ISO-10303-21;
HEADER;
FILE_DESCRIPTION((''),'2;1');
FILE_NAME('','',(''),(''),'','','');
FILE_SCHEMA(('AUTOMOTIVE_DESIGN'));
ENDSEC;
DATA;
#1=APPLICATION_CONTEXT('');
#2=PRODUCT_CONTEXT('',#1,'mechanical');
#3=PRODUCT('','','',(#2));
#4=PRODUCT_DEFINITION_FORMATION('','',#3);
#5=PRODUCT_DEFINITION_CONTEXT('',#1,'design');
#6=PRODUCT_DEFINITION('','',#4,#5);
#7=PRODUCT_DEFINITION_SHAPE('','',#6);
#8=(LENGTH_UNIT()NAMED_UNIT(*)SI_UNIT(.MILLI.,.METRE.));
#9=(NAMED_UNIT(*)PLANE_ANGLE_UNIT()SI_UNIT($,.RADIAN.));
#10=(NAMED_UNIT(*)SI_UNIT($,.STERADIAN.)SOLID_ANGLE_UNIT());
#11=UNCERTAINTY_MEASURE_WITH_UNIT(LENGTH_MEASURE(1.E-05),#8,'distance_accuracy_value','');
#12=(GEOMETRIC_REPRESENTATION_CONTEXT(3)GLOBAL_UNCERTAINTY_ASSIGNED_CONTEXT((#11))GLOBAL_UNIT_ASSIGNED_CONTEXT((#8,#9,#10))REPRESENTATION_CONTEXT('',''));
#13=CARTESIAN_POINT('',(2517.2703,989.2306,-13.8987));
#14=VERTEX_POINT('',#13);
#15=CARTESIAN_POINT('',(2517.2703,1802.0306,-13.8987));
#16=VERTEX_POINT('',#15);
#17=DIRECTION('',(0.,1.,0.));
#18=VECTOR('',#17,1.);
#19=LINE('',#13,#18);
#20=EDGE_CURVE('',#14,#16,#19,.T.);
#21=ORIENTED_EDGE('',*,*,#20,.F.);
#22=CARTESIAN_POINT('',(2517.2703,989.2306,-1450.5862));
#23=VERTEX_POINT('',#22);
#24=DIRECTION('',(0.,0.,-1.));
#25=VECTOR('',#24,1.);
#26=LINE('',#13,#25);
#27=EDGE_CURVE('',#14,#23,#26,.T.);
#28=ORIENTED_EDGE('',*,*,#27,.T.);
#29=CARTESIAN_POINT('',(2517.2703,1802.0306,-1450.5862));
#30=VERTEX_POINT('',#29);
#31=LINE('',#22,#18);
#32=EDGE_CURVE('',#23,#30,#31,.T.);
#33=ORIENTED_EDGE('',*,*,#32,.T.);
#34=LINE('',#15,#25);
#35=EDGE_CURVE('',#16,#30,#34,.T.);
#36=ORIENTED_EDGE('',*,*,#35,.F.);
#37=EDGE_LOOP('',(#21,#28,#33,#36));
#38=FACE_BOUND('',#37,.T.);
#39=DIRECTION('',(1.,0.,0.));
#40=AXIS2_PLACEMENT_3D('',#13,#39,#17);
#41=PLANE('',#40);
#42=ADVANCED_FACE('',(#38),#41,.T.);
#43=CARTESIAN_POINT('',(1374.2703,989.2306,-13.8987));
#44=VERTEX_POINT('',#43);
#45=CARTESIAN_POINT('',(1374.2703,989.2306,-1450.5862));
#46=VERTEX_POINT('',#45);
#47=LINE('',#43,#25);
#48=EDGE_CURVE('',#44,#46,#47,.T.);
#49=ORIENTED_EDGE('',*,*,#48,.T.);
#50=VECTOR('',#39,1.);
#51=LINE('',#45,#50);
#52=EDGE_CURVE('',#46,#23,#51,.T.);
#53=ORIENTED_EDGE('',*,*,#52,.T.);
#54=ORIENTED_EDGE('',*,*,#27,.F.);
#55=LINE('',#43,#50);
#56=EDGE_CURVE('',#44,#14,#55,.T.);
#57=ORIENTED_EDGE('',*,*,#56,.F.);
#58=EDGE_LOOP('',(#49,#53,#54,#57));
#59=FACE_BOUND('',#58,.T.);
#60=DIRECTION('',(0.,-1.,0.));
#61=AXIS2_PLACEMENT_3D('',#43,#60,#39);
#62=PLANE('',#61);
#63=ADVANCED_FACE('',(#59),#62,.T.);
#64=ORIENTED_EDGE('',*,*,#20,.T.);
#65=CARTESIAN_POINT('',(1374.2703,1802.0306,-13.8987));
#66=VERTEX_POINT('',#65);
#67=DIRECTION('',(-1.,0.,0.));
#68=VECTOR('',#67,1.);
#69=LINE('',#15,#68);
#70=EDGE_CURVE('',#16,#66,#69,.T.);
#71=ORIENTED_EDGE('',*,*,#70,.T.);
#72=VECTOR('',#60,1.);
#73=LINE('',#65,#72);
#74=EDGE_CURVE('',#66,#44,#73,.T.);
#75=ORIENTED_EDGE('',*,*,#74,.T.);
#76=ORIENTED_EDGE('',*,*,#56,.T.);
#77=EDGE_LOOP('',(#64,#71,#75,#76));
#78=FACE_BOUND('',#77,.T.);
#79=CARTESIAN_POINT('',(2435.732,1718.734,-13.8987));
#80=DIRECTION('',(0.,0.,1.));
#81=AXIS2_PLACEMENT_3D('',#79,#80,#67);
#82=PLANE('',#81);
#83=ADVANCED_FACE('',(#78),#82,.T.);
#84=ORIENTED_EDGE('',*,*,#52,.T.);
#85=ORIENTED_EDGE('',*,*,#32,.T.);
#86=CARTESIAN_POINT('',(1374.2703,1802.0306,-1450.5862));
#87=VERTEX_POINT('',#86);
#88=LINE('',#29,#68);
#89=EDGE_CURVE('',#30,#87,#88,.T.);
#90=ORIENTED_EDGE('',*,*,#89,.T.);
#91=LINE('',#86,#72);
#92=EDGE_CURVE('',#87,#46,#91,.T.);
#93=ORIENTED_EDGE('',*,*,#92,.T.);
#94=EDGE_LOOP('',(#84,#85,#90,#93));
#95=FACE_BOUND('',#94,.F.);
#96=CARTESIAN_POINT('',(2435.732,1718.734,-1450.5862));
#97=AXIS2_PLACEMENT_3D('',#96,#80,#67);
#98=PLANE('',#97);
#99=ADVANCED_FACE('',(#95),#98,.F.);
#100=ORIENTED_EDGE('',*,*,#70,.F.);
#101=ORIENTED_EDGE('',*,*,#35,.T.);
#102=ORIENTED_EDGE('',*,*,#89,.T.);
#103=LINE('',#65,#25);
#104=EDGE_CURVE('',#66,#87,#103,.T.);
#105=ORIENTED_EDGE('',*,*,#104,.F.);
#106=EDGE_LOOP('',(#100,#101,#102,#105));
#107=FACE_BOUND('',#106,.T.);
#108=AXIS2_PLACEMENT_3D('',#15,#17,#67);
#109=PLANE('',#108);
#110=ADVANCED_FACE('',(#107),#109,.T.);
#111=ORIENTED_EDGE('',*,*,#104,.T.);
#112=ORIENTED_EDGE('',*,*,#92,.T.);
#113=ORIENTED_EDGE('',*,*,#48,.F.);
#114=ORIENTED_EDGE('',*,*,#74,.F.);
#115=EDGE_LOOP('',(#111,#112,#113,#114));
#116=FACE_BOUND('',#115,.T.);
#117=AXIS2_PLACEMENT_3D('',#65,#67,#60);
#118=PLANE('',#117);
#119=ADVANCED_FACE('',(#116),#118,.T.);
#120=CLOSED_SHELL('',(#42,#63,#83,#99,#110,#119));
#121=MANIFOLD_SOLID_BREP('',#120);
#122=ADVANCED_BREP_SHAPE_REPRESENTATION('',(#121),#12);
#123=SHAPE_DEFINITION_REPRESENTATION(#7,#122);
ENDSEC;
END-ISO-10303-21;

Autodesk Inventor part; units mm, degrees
ref_plane "YZ Plane" through (0, 0, 0) normal (1, 0, 0) x (0, 1, 0)
ref_plane "XZ Plane" through (0, 0, 0) normal (0, 1, 0) x (-1, 0, 0)
ref_plane "XY Plane" through (0, 0, 0) normal (0, 0, 1) x (1, 0, 0)
ref_plane "Work Plane1" through (2435.732, 1718.734, -13.8987) normal (0, 0, 1) x (-1, 0, 0)
sketch "Sketch1" plane through (2435.732, 1718.734, -13.8987) normal (0, 0, 1) x (-1, 0, 0)
  line L0 (1061.4617, 729.5034) -> (-81.5383, 729.5034)
  line L1 (-81.5383, 729.5034) -> (-81.5383, -83.2966)
  line L2 (-81.5383, -83.2966) -> (1061.4617, -83.2966)
  line L3 (1061.4617, -83.2966) -> (1061.4617, 729.5034)
  point P0 (2435.732, 1718.734)
  dimension "d0" = 1143
  dimension "d1" = 812.8
extrude "Extrusion1" add sketch "Sketch1" against normal blind 1436.6875
properties part number "Mold"
